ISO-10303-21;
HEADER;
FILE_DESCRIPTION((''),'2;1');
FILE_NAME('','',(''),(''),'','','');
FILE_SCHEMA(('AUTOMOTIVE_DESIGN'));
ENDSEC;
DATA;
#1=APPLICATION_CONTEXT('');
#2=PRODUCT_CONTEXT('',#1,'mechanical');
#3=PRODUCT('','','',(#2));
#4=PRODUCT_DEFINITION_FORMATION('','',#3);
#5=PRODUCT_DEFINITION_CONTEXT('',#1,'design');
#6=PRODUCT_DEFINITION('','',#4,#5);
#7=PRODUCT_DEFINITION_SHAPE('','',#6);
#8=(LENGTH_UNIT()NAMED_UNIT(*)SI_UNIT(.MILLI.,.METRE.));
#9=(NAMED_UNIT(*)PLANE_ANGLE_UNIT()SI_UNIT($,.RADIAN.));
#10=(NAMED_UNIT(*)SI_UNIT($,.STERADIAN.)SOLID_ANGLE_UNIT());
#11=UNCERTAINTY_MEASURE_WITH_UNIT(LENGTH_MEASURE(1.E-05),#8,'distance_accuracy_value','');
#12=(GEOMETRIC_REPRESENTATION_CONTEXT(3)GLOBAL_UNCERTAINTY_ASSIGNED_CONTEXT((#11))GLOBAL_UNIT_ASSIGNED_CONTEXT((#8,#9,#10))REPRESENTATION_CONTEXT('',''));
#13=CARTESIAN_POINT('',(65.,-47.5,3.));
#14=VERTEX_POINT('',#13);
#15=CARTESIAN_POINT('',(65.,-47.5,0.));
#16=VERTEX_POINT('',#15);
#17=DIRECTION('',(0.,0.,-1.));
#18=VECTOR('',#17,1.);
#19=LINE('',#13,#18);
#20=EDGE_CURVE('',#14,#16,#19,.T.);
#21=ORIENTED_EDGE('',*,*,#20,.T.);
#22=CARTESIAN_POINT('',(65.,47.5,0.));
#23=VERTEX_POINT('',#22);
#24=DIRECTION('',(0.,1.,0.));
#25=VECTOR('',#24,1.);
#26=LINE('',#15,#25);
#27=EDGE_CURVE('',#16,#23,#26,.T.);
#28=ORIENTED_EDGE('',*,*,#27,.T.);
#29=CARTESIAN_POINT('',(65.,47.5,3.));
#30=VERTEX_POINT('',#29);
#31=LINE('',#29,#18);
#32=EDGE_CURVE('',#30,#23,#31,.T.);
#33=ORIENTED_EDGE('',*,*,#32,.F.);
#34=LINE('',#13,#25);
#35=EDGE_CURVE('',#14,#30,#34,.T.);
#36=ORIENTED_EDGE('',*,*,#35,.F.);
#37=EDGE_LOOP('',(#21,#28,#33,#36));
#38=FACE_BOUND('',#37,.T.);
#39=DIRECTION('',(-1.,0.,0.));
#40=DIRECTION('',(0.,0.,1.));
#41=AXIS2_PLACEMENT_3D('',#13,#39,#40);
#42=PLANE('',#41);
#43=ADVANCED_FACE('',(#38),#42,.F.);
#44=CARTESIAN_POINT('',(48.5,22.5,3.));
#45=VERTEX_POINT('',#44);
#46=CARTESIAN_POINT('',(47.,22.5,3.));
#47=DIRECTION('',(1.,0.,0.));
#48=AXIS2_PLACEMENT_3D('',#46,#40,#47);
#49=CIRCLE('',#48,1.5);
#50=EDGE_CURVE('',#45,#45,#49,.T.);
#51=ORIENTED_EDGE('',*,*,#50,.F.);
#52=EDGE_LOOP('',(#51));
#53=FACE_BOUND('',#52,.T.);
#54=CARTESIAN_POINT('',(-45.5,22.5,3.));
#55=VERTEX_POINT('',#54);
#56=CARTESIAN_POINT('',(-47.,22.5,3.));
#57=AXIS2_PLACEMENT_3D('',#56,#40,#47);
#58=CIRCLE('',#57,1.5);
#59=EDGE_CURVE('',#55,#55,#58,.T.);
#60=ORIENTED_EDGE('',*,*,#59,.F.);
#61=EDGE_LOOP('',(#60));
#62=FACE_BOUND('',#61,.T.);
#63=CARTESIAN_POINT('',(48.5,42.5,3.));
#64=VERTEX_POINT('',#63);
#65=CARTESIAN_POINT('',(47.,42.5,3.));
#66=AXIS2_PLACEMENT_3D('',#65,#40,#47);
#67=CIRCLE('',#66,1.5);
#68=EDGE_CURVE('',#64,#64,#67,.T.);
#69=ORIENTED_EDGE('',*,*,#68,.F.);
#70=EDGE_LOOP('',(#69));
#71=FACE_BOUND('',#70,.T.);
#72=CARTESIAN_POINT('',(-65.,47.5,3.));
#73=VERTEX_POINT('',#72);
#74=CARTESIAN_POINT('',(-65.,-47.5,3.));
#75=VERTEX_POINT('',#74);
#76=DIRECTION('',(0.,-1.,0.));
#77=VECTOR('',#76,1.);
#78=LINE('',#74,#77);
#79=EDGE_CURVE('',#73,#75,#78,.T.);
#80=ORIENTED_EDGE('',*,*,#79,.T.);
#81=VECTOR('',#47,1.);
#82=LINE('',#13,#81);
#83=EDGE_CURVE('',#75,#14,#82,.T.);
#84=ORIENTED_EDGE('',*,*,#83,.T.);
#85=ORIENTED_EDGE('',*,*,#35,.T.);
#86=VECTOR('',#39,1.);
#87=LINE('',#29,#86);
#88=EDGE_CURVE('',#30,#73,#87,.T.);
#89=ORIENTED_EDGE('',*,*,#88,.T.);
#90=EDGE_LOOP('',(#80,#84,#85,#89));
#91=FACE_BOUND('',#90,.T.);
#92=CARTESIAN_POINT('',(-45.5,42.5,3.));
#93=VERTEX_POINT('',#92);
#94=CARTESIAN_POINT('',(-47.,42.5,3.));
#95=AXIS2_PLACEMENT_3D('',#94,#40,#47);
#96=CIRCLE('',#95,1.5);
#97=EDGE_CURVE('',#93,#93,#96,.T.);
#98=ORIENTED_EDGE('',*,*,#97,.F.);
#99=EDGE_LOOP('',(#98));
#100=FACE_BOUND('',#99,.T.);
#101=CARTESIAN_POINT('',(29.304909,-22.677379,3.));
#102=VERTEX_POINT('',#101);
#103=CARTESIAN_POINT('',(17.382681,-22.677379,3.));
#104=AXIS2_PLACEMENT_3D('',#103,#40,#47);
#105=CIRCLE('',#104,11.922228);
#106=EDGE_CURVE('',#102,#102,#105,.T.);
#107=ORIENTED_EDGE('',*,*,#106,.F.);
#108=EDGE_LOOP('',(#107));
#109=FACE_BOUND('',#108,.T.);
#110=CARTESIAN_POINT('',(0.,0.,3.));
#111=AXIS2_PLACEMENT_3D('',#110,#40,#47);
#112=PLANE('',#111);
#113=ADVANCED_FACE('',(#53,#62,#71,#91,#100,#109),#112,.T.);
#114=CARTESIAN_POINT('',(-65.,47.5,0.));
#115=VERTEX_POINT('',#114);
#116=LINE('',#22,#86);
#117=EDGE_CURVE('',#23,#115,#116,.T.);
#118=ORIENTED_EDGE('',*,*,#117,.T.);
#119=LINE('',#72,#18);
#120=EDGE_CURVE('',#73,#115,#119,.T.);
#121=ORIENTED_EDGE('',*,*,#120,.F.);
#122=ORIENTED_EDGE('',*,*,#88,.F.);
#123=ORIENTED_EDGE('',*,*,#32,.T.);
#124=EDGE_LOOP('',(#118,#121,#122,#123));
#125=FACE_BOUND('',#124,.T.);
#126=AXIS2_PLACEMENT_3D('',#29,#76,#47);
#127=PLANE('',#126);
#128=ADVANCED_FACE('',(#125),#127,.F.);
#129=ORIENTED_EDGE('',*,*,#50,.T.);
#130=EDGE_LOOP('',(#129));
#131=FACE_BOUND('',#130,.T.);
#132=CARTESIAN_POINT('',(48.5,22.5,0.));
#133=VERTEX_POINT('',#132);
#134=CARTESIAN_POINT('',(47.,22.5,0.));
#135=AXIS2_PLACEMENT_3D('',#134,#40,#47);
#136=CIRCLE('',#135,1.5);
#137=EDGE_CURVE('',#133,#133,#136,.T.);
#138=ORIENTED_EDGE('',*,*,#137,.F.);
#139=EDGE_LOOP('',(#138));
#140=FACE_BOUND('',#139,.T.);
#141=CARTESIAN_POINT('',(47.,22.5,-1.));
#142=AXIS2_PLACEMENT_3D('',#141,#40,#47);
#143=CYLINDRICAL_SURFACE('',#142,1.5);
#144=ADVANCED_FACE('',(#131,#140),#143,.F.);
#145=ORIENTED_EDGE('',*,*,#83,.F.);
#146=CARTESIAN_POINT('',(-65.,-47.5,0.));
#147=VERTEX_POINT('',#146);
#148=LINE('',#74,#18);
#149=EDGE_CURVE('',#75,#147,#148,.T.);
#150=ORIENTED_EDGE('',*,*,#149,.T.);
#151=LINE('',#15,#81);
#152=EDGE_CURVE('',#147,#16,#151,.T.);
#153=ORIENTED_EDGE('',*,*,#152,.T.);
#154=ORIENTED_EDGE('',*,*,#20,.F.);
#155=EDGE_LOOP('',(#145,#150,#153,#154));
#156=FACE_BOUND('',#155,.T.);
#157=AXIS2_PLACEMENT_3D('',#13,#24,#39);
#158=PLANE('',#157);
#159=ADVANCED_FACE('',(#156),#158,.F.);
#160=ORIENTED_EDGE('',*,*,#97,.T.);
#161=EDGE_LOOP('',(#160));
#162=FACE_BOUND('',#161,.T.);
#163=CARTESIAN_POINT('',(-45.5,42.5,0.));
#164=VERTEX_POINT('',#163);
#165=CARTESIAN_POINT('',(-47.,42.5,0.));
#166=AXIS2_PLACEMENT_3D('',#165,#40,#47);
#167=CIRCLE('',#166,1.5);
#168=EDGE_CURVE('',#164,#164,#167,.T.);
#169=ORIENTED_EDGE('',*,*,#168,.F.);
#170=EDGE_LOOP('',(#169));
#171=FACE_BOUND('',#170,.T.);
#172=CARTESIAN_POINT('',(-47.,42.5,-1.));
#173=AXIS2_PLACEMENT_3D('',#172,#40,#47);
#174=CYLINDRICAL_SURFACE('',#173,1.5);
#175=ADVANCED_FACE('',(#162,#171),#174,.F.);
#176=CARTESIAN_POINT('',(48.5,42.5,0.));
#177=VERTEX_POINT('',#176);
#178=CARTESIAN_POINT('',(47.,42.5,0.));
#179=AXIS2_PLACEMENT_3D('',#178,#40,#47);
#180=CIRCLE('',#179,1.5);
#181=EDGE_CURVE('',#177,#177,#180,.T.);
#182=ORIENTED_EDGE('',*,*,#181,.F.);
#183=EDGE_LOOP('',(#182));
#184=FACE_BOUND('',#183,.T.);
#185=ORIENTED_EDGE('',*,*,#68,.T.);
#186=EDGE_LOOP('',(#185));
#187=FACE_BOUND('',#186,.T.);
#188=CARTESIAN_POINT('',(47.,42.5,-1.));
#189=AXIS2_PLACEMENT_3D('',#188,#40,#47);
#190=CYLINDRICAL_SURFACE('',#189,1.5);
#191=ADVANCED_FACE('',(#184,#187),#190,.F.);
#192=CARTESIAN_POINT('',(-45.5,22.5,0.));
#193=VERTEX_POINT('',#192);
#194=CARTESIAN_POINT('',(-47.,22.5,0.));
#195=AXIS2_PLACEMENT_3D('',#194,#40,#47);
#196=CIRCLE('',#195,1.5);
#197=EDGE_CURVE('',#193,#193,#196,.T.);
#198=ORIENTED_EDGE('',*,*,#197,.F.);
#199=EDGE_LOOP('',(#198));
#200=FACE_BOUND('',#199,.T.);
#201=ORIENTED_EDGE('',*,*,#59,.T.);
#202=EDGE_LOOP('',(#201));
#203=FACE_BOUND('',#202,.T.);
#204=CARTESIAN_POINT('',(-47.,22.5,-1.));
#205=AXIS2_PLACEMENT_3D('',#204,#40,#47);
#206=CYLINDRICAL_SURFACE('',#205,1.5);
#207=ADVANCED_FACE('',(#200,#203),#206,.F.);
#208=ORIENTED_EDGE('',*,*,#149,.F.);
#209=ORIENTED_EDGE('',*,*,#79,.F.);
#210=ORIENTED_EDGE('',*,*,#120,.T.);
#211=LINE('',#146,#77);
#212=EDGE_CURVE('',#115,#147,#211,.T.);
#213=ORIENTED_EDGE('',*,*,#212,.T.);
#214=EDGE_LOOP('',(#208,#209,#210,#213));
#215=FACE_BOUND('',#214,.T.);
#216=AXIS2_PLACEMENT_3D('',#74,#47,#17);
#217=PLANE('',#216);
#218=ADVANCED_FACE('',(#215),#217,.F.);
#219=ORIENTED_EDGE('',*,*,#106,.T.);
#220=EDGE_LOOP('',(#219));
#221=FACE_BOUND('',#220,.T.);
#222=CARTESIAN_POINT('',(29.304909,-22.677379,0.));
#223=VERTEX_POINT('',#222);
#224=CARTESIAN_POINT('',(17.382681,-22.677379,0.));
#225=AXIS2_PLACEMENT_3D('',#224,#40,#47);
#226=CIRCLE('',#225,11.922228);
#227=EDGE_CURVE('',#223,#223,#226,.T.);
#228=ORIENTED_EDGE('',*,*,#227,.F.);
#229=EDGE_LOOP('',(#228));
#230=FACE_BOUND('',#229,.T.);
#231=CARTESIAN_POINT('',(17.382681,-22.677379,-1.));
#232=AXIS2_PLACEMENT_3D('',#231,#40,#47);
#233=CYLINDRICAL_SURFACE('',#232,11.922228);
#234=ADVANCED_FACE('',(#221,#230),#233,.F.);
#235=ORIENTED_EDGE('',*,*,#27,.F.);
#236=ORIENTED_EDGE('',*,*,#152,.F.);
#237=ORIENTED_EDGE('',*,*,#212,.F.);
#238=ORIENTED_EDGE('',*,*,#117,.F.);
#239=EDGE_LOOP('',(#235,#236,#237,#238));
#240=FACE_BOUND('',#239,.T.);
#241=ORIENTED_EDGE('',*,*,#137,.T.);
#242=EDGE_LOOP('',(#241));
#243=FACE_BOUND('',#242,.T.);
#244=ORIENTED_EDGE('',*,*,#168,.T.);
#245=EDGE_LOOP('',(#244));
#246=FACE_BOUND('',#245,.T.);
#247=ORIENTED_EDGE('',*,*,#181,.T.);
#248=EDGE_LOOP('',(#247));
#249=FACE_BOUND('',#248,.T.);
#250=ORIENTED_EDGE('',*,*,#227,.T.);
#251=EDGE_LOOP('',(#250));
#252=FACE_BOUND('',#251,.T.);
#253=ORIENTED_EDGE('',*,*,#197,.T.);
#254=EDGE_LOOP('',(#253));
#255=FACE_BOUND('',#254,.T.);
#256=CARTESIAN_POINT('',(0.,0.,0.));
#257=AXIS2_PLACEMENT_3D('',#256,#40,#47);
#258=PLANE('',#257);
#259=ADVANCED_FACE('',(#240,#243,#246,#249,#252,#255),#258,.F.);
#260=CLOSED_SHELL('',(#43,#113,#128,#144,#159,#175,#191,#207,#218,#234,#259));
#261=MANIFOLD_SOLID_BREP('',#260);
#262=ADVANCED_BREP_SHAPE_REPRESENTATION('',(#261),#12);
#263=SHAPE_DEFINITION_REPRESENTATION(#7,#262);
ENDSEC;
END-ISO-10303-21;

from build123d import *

# Parameters (mm, degrees)
SKETCH_1_W          = 130
SKETCH_1_H          = 95
EXTRUDE_1_DEPTH     = 3
SKETCH_2_R          = 1.5
SKETCH_2_R_2        = 11.922228354
CUT_EXTRUDE_1_DEPTH = 4


with BuildPart() as part:
    # 草图1 → 凸台-拉伸1 (new body)
    with BuildSketch(Plane.XY):
        Rectangle(SKETCH_1_W, SKETCH_1_H)
    extrude(amount=EXTRUDE_1_DEPTH)

    # 草图2 → 切除-拉伸1 (cut)
    with BuildSketch(Plane.XY.offset(3)):
        with Locations((-47, 42.5)):
            Circle(SKETCH_2_R)
        with Locations((-47, 22.5)):
            Circle(SKETCH_2_R)
        with Locations((47, 42.5)):
            Circle(SKETCH_2_R)
        with Locations((47, 22.5)):
            Circle(SKETCH_2_R)
        with Locations((17.382680584, -22.677378789)):
            Circle(SKETCH_2_R_2)
    extrude(amount=-CUT_EXTRUDE_1_DEPTH, mode=Mode.SUBTRACT)


solid = part.part
